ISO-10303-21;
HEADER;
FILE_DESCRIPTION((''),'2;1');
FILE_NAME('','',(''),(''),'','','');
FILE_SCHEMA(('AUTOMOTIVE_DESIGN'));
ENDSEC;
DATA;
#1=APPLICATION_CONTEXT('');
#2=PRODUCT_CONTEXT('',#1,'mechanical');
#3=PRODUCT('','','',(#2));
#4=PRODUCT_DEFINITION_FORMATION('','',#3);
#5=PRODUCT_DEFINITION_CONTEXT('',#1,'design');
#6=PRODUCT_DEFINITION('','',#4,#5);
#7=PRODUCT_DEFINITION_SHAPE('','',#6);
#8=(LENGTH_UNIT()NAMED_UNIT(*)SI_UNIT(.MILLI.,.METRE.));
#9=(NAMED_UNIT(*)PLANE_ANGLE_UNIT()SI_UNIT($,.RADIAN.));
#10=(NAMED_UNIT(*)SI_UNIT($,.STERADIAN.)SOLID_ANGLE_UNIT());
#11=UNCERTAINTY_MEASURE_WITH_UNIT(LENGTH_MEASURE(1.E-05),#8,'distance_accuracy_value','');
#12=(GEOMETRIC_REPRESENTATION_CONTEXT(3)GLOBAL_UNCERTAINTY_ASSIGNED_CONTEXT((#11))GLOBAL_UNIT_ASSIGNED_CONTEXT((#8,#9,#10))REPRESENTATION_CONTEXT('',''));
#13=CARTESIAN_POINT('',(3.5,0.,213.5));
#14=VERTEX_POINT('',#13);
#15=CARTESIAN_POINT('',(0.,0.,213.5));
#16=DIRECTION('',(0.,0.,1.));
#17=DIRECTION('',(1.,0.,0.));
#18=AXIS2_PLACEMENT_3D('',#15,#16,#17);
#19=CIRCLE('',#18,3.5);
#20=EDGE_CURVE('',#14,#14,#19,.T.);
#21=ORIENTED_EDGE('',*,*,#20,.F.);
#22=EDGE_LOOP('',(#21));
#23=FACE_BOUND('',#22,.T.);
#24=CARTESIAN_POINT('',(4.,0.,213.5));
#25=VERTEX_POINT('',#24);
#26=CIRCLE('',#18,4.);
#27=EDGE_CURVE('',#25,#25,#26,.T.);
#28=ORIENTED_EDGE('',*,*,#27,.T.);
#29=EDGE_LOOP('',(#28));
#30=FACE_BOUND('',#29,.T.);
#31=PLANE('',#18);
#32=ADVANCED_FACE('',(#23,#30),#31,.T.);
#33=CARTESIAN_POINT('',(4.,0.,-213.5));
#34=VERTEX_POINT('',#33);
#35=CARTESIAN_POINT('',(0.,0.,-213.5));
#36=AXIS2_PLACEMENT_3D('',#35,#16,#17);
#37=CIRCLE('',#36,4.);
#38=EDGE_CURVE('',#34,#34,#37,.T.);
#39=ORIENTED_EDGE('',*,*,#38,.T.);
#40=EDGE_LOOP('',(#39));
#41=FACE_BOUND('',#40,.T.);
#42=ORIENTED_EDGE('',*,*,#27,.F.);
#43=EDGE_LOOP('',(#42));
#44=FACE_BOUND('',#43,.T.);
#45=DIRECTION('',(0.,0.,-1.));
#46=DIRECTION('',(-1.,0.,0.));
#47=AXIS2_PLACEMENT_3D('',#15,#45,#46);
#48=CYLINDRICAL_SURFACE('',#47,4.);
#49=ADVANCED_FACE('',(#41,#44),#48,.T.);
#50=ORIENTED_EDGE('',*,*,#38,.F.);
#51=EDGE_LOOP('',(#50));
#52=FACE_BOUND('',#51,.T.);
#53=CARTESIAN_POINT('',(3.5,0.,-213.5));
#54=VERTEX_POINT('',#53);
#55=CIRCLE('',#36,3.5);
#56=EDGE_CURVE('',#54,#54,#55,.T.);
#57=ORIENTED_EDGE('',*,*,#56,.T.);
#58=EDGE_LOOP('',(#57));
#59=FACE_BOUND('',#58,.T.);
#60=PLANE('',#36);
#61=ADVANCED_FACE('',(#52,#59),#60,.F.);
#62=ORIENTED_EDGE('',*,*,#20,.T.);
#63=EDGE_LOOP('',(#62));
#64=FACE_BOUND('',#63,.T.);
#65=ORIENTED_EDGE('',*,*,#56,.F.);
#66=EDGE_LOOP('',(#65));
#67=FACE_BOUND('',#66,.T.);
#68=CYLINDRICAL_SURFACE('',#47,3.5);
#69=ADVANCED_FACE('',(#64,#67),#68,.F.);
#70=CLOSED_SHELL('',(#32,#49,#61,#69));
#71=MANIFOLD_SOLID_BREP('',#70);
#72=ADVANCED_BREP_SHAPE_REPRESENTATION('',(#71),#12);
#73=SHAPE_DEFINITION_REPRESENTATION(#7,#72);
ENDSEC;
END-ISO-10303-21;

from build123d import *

# Parameters (mm, degrees)
SKETCH_1_R      = 4
SKETCH_1_R_2    = 3.5
EXTRUDE_1_DEPTH = 213.5


with BuildPart() as part:
    # Эскиз1 → Бобышка-Вытянуть1 (new, symmetric)
    with BuildSketch(Plane.XY):
        Circle(SKETCH_1_R)
        Circle(SKETCH_1_R_2, mode=Mode.SUBTRACT)
    extrude(amount=EXTRUDE_1_DEPTH, both=True)


solid = part.part
